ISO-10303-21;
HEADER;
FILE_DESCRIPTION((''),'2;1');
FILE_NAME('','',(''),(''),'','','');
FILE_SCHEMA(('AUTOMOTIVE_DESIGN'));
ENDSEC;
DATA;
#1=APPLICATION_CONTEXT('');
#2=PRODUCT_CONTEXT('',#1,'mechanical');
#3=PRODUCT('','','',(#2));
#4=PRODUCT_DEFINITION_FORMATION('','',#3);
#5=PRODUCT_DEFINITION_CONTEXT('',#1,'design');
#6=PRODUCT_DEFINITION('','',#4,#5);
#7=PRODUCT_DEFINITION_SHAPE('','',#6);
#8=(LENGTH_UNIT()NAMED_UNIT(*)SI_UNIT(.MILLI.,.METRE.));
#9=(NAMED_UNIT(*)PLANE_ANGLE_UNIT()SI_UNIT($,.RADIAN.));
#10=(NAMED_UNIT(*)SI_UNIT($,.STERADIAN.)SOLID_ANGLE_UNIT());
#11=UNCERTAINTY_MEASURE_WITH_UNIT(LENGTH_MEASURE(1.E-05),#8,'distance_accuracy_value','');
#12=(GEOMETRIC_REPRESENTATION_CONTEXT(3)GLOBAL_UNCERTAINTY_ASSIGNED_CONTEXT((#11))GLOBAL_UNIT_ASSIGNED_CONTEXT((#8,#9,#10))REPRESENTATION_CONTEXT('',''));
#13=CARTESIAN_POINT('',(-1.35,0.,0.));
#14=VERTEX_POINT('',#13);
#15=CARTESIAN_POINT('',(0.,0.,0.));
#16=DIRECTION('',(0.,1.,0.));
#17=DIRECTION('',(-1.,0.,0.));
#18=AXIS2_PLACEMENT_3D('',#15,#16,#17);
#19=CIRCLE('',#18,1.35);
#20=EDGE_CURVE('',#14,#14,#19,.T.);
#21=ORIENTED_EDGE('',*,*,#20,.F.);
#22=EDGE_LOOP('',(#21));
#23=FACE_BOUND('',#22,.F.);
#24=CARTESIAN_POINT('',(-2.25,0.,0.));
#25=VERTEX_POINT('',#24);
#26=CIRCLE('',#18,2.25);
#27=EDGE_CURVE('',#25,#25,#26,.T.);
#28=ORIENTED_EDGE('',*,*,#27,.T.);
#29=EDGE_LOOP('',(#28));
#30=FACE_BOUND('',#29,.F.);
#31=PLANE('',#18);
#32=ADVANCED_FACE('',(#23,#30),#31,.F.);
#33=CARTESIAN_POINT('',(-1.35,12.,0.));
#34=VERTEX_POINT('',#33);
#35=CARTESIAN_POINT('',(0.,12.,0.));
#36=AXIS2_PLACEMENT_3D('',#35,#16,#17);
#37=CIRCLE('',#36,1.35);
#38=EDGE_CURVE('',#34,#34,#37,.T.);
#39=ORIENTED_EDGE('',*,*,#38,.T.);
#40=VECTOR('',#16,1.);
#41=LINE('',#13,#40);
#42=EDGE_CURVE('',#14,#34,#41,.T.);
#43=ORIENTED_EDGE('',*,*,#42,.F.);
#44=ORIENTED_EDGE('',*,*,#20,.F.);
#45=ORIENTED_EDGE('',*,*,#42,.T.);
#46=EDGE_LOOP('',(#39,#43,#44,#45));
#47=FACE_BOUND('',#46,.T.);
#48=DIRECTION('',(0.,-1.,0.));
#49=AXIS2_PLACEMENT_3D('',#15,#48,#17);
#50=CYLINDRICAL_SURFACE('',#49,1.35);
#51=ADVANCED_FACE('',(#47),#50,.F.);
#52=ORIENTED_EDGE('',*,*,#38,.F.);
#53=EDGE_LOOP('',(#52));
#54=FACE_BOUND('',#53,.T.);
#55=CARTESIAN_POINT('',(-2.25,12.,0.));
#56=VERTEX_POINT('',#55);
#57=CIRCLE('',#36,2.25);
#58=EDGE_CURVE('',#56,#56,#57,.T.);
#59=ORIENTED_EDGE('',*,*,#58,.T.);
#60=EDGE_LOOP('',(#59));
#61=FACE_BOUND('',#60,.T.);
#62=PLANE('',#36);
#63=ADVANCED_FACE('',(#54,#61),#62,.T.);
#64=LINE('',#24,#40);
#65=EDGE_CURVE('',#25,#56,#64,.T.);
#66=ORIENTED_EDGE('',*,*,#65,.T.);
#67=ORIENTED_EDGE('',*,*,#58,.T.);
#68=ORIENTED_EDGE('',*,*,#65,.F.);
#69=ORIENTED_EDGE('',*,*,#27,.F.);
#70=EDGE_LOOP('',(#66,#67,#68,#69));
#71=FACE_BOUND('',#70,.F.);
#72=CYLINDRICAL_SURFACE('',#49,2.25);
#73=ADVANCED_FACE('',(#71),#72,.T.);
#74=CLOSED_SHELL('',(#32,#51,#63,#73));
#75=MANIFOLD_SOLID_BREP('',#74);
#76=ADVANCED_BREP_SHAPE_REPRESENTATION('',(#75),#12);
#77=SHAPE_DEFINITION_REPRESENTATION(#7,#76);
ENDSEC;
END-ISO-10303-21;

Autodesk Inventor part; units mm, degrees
ref_plane "YZ Plane" through (0, 0, 0) normal (1, 0, 0) x (0, 1, 0)
ref_plane "XZ Plane" through (0, 0, 0) normal (0, 1, 0) x (-1, 0, 0)
ref_plane "XY Plane" through (0, 0, 0) normal (0, 0, 1) x (1, 0, 0)
sketch "Sketch1" plane through (0, 0, 0) normal (0, 1, 0) x (-1, 0, 0)
  circle A0 centre (0, 0) radius 1.35
  circle A1 centre (0, 0) radius 2.25
  dimension "d0" = 2.7
  dimension "d1" = 4.5
extrude "Extrusion1" add sketch "Sketch1" along normal blind 12
properties part number "Rod Housing 1"
